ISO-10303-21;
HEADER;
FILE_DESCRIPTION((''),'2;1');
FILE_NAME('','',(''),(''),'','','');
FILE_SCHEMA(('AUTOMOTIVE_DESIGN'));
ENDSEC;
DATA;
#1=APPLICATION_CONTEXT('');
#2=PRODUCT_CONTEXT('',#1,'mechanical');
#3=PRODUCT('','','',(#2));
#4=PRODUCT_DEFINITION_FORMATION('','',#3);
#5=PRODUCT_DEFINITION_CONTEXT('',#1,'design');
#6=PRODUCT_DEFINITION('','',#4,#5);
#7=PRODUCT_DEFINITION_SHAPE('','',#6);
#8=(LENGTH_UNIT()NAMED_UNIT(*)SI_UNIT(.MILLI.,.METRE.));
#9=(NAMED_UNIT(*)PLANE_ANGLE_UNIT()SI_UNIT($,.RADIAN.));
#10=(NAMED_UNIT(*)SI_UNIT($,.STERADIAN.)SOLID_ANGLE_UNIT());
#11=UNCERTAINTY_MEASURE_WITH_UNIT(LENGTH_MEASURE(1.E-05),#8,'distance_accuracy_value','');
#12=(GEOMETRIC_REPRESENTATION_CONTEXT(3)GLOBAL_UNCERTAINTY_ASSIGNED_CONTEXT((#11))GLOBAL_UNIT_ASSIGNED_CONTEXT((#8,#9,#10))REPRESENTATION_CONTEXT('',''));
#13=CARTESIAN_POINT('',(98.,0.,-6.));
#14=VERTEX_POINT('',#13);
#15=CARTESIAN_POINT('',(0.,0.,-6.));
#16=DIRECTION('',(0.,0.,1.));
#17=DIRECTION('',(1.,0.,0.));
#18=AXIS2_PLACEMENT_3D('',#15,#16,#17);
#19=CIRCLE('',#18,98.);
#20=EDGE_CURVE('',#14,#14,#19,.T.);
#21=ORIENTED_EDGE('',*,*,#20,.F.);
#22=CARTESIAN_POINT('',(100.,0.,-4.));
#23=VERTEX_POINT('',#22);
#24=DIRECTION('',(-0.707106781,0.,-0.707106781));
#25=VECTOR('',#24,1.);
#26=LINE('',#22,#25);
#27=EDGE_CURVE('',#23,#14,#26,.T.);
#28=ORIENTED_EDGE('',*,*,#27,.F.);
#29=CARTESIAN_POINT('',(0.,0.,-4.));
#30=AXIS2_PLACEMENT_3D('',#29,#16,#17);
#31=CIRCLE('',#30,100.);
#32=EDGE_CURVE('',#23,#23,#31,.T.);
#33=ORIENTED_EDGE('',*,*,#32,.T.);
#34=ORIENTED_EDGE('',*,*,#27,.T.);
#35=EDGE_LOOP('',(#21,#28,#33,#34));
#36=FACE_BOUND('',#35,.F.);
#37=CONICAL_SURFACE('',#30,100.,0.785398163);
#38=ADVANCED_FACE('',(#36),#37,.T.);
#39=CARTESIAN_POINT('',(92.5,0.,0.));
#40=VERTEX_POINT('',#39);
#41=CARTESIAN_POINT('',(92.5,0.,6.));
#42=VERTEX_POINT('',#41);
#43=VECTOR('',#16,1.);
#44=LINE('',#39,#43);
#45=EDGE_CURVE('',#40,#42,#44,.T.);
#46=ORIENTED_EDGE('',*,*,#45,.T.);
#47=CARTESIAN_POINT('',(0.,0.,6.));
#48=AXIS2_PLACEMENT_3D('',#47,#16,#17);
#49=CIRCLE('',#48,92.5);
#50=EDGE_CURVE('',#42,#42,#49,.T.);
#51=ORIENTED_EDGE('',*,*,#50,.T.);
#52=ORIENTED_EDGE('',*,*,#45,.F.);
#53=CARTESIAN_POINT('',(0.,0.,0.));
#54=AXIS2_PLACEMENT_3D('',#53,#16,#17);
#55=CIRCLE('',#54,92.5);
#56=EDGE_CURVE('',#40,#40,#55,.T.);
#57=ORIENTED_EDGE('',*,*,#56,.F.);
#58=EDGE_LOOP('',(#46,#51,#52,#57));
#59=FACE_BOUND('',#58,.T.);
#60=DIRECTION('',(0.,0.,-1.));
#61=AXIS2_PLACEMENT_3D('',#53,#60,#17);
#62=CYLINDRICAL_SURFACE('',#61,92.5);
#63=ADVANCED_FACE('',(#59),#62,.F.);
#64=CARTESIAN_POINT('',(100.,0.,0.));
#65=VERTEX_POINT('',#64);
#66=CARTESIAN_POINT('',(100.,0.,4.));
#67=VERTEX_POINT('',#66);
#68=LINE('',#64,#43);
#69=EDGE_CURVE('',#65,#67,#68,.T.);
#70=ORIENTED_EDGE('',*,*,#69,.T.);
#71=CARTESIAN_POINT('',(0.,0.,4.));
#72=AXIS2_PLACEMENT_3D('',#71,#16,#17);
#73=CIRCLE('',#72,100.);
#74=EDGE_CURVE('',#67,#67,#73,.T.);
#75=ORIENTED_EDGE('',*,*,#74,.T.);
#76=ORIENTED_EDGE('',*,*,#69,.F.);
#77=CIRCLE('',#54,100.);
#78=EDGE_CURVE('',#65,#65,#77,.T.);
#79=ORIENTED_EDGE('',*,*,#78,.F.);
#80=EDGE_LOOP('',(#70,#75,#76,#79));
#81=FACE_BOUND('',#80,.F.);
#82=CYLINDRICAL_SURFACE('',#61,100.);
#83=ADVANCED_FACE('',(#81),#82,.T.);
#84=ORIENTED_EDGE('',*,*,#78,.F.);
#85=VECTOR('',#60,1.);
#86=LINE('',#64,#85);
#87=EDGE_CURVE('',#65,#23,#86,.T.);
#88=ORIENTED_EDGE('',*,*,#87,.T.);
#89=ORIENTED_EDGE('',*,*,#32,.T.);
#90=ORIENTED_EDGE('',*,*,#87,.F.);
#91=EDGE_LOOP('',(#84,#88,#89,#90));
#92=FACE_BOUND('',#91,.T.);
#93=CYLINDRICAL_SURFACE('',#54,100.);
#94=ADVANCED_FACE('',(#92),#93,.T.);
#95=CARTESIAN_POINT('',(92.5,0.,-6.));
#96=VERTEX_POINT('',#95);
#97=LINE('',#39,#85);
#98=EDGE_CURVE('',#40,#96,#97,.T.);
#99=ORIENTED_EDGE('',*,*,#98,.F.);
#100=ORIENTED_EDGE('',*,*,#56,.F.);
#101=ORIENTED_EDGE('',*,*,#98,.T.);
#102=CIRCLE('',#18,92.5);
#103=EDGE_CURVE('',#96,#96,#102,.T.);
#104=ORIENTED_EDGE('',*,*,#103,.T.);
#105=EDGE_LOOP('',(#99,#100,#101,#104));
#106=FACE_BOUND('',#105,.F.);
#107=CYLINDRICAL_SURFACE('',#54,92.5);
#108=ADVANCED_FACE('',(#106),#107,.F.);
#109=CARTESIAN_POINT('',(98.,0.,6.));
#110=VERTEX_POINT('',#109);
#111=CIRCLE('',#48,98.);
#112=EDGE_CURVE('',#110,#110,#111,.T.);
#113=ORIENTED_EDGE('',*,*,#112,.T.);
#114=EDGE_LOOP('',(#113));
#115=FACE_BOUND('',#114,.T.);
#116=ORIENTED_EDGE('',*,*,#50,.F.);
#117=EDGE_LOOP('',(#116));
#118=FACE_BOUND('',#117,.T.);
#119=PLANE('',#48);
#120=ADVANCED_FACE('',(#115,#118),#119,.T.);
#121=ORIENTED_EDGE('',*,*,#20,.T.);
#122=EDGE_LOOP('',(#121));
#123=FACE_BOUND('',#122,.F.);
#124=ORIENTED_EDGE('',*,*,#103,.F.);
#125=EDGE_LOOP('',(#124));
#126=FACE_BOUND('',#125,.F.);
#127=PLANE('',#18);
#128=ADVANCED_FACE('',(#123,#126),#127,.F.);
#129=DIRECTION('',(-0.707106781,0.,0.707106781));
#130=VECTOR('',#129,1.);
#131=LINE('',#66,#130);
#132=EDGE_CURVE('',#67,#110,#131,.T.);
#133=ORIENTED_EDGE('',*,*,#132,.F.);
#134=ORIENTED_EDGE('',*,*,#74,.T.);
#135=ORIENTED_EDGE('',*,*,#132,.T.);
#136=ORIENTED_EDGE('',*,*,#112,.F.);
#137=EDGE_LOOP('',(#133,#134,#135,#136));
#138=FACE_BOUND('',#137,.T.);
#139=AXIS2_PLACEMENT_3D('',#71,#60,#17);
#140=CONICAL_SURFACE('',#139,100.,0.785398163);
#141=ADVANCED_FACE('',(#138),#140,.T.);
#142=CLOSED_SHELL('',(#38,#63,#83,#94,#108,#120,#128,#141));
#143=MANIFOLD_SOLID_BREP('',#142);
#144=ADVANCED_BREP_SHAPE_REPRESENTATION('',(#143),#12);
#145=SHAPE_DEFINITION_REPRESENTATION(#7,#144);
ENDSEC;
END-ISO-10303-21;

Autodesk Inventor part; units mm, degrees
ref_plane "YZ Plane" through (0, 0, 0) normal (1, 0, 0) x (0, 1, 0)
ref_plane "XZ Plane" through (0, 0, 0) normal (0, 1, 0) x (-1, 0, 0)
ref_plane "XY Plane" through (0, 0, 0) normal (0, 0, 1) x (1, 0, 0)
sketch "Sketch1" plane through (0, 0, 0) normal (0, 0, 1) x (1, 0, 0)
  circle A0 centre (0, 0) radius 100
  circle A1 centre (0, 0) radius 92.5
  dimension "d0" = 200
  dimension "d1" = 185
extrude "Extrusion1" add sketch "Sketch1" along normal mid plane 12
chamfer "Chamfer1" distance 2 angle 45 2 edges at (-100, 0, 6) (-100, 0, -6)
properties part number "22.1"
